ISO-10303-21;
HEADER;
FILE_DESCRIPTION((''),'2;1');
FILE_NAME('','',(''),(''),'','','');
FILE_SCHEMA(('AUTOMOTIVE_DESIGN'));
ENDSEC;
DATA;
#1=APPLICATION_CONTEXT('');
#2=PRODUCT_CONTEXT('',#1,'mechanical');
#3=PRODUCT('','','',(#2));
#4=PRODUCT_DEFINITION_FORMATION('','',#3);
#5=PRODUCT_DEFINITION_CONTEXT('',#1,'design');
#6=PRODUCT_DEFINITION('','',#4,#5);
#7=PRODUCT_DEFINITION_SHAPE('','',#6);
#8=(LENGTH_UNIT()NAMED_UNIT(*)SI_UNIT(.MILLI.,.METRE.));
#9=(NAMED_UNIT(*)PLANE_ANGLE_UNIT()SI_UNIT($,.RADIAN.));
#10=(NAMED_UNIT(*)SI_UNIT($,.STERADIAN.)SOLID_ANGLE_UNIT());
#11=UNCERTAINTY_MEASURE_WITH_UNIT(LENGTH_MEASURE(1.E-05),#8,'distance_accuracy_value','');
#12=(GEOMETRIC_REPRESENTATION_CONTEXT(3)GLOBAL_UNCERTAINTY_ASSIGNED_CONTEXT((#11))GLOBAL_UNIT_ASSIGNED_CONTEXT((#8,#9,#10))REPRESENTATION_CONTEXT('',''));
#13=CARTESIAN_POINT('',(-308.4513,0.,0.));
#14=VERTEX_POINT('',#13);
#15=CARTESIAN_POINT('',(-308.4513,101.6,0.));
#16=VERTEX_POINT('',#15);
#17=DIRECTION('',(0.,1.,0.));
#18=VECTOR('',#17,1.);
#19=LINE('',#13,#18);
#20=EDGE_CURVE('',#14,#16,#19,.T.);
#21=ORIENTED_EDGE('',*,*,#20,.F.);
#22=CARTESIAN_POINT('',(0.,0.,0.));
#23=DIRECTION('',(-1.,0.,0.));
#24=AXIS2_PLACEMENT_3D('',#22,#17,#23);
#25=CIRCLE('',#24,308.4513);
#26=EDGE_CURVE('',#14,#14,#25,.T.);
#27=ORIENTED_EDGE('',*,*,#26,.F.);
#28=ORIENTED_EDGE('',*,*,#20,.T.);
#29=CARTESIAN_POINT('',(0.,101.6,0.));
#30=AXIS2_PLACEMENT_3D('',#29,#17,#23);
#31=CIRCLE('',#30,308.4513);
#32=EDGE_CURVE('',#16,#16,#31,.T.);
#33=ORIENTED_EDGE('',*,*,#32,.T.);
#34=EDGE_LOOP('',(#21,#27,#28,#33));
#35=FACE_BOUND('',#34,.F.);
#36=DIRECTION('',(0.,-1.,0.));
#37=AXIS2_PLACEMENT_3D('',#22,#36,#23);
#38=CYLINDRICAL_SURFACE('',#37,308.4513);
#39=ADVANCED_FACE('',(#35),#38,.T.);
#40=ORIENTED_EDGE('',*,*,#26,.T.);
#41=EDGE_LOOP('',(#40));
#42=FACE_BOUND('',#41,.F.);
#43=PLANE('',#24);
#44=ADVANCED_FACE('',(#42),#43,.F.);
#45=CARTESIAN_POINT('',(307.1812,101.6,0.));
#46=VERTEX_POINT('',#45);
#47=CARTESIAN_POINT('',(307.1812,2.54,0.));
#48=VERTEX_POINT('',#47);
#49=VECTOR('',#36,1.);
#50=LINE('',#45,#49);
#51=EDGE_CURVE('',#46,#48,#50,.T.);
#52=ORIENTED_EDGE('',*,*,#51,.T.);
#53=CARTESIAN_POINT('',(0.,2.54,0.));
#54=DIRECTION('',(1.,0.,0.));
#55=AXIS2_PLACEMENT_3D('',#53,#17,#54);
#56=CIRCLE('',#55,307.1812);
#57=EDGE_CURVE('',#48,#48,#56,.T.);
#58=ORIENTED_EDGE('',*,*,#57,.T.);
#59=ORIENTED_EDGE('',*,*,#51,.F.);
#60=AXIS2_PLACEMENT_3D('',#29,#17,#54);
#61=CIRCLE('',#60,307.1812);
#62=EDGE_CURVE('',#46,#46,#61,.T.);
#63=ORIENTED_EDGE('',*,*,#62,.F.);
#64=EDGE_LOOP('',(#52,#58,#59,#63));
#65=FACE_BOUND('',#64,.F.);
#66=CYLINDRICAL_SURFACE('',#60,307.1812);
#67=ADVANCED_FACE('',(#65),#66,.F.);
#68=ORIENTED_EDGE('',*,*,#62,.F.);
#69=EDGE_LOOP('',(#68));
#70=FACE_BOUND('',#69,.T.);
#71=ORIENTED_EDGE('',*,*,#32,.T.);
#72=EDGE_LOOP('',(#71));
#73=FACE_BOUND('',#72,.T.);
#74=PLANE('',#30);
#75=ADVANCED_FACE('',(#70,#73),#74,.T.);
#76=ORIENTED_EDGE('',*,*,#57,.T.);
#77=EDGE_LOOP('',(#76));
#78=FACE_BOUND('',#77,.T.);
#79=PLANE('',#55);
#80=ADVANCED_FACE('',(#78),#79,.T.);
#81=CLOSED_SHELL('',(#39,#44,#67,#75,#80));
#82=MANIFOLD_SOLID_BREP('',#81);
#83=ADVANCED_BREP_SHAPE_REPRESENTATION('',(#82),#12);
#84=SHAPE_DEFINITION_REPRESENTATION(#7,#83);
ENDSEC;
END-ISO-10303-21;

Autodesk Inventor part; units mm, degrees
ref_plane "YZ Plane" through (0, 0, 0) normal (1, 0, 0) x (0, 1, 0)
ref_plane "XZ Plane" through (0, 0, 0) normal (0, 1, 0) x (-1, 0, 0)
ref_plane "XY Plane" through (0, 0, 0) normal (0, 0, 1) x (1, 0, 0)
sketch "Sketch1" plane through (0, 0, 0) normal (0, 1, 0) x (-1, 0, 0)
  circle A0 centre (0, 0) radius 308.4513
  dimension "d0" = 616.9025
extrude "Extrusion1" add sketch "Sketch1" along normal blind 101.6
sketch "Sketch2" plane through (0, 101.6, 0) normal (0, 1, 0) x (1, 0, 0)
  circle A0 centre (0, 0) radius 307.1812
  dimension "d4" = 614.3625
extrude "Extrusion2" cut sketch "Sketch2" against normal blind 99.06
properties part number "Top End Cap"
